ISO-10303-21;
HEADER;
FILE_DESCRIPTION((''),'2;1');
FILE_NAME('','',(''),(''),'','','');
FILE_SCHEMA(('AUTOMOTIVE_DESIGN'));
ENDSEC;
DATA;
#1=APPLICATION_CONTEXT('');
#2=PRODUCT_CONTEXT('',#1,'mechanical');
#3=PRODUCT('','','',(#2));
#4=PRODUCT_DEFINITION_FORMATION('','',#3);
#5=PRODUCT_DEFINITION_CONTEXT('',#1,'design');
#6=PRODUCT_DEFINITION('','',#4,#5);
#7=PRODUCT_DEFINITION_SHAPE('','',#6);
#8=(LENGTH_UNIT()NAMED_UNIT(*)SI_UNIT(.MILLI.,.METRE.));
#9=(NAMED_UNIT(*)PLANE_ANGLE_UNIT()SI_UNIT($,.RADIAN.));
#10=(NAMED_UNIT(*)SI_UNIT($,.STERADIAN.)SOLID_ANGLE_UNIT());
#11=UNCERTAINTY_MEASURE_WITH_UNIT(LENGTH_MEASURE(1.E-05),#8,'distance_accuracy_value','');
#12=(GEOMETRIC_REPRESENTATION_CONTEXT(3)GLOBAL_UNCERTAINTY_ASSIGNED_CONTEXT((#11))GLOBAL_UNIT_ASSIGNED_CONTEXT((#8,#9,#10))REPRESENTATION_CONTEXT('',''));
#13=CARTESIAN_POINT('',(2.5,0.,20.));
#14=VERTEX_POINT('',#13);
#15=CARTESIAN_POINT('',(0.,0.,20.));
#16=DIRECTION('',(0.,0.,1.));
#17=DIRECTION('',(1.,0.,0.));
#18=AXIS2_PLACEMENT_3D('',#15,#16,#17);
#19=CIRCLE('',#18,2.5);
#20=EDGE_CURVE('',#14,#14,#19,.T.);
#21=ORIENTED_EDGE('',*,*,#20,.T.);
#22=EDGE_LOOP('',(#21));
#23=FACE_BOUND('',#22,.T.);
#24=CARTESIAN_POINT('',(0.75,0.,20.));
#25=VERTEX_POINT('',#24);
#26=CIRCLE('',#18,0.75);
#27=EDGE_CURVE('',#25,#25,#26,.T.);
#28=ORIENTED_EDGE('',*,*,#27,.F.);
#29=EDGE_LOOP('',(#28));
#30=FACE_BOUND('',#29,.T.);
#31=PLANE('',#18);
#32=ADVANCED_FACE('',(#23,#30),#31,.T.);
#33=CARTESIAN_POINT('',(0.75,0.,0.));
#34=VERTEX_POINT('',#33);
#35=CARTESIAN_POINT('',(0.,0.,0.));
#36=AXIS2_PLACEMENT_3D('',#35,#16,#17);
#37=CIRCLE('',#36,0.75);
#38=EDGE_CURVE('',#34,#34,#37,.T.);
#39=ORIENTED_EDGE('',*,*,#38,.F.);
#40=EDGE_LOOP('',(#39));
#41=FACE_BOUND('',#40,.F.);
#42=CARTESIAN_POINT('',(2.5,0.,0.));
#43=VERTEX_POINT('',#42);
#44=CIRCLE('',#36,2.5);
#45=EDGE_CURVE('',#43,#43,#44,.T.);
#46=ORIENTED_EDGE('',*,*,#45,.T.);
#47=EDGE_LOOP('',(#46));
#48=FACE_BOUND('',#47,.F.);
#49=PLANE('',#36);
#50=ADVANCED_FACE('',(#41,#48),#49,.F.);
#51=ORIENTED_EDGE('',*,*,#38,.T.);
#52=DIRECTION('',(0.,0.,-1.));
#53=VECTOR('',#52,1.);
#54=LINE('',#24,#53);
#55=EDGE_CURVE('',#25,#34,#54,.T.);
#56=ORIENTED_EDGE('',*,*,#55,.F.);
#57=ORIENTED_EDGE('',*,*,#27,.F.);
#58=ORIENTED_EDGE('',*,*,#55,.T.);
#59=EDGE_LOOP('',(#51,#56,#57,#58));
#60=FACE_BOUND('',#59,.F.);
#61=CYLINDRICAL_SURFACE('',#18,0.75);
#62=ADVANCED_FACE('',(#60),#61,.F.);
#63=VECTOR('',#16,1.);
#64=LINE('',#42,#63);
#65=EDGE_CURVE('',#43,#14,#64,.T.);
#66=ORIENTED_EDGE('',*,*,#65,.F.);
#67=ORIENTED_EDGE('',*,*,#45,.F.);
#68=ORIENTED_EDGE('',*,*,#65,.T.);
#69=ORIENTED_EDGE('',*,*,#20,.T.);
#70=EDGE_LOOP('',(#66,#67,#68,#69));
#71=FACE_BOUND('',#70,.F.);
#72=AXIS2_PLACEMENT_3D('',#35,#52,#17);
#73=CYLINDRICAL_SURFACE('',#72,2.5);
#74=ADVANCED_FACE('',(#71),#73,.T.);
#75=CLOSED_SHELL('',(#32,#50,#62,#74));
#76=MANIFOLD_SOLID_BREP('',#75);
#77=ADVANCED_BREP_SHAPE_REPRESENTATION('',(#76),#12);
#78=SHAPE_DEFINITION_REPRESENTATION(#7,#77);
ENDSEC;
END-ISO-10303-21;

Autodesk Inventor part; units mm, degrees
ref_plane "YZ Plane" through (0, 0, 0) normal (1, 0, 0) x (0, 1, 0)
ref_plane "XZ Plane" through (0, 0, 0) normal (0, 1, 0) x (-1, 0, 0)
ref_plane "XY Plane" through (0, 0, 0) normal (0, 0, 1) x (1, 0, 0)
sketch "Skizze1" plane through (0, 0, 0) normal (0, 0, 1) x (1, 0, 0)
  circle A0 centre (0, 0) radius 2.5
  dimension "d0" = 5
extrude "Extrusion1" add sketch "Skizze1" along normal blind 20
sketch "Skizze2" plane through (0, 0, 20) normal (0, 0, 1) x (1, 0, 0)
  circle A0 centre (0, 0) radius 0.75
  dimension "d4" = 1.5
extrude "Extrusion2" cut sketch "Skizze2" against normal blind 30
properties part number "Hebel_Röhre"
